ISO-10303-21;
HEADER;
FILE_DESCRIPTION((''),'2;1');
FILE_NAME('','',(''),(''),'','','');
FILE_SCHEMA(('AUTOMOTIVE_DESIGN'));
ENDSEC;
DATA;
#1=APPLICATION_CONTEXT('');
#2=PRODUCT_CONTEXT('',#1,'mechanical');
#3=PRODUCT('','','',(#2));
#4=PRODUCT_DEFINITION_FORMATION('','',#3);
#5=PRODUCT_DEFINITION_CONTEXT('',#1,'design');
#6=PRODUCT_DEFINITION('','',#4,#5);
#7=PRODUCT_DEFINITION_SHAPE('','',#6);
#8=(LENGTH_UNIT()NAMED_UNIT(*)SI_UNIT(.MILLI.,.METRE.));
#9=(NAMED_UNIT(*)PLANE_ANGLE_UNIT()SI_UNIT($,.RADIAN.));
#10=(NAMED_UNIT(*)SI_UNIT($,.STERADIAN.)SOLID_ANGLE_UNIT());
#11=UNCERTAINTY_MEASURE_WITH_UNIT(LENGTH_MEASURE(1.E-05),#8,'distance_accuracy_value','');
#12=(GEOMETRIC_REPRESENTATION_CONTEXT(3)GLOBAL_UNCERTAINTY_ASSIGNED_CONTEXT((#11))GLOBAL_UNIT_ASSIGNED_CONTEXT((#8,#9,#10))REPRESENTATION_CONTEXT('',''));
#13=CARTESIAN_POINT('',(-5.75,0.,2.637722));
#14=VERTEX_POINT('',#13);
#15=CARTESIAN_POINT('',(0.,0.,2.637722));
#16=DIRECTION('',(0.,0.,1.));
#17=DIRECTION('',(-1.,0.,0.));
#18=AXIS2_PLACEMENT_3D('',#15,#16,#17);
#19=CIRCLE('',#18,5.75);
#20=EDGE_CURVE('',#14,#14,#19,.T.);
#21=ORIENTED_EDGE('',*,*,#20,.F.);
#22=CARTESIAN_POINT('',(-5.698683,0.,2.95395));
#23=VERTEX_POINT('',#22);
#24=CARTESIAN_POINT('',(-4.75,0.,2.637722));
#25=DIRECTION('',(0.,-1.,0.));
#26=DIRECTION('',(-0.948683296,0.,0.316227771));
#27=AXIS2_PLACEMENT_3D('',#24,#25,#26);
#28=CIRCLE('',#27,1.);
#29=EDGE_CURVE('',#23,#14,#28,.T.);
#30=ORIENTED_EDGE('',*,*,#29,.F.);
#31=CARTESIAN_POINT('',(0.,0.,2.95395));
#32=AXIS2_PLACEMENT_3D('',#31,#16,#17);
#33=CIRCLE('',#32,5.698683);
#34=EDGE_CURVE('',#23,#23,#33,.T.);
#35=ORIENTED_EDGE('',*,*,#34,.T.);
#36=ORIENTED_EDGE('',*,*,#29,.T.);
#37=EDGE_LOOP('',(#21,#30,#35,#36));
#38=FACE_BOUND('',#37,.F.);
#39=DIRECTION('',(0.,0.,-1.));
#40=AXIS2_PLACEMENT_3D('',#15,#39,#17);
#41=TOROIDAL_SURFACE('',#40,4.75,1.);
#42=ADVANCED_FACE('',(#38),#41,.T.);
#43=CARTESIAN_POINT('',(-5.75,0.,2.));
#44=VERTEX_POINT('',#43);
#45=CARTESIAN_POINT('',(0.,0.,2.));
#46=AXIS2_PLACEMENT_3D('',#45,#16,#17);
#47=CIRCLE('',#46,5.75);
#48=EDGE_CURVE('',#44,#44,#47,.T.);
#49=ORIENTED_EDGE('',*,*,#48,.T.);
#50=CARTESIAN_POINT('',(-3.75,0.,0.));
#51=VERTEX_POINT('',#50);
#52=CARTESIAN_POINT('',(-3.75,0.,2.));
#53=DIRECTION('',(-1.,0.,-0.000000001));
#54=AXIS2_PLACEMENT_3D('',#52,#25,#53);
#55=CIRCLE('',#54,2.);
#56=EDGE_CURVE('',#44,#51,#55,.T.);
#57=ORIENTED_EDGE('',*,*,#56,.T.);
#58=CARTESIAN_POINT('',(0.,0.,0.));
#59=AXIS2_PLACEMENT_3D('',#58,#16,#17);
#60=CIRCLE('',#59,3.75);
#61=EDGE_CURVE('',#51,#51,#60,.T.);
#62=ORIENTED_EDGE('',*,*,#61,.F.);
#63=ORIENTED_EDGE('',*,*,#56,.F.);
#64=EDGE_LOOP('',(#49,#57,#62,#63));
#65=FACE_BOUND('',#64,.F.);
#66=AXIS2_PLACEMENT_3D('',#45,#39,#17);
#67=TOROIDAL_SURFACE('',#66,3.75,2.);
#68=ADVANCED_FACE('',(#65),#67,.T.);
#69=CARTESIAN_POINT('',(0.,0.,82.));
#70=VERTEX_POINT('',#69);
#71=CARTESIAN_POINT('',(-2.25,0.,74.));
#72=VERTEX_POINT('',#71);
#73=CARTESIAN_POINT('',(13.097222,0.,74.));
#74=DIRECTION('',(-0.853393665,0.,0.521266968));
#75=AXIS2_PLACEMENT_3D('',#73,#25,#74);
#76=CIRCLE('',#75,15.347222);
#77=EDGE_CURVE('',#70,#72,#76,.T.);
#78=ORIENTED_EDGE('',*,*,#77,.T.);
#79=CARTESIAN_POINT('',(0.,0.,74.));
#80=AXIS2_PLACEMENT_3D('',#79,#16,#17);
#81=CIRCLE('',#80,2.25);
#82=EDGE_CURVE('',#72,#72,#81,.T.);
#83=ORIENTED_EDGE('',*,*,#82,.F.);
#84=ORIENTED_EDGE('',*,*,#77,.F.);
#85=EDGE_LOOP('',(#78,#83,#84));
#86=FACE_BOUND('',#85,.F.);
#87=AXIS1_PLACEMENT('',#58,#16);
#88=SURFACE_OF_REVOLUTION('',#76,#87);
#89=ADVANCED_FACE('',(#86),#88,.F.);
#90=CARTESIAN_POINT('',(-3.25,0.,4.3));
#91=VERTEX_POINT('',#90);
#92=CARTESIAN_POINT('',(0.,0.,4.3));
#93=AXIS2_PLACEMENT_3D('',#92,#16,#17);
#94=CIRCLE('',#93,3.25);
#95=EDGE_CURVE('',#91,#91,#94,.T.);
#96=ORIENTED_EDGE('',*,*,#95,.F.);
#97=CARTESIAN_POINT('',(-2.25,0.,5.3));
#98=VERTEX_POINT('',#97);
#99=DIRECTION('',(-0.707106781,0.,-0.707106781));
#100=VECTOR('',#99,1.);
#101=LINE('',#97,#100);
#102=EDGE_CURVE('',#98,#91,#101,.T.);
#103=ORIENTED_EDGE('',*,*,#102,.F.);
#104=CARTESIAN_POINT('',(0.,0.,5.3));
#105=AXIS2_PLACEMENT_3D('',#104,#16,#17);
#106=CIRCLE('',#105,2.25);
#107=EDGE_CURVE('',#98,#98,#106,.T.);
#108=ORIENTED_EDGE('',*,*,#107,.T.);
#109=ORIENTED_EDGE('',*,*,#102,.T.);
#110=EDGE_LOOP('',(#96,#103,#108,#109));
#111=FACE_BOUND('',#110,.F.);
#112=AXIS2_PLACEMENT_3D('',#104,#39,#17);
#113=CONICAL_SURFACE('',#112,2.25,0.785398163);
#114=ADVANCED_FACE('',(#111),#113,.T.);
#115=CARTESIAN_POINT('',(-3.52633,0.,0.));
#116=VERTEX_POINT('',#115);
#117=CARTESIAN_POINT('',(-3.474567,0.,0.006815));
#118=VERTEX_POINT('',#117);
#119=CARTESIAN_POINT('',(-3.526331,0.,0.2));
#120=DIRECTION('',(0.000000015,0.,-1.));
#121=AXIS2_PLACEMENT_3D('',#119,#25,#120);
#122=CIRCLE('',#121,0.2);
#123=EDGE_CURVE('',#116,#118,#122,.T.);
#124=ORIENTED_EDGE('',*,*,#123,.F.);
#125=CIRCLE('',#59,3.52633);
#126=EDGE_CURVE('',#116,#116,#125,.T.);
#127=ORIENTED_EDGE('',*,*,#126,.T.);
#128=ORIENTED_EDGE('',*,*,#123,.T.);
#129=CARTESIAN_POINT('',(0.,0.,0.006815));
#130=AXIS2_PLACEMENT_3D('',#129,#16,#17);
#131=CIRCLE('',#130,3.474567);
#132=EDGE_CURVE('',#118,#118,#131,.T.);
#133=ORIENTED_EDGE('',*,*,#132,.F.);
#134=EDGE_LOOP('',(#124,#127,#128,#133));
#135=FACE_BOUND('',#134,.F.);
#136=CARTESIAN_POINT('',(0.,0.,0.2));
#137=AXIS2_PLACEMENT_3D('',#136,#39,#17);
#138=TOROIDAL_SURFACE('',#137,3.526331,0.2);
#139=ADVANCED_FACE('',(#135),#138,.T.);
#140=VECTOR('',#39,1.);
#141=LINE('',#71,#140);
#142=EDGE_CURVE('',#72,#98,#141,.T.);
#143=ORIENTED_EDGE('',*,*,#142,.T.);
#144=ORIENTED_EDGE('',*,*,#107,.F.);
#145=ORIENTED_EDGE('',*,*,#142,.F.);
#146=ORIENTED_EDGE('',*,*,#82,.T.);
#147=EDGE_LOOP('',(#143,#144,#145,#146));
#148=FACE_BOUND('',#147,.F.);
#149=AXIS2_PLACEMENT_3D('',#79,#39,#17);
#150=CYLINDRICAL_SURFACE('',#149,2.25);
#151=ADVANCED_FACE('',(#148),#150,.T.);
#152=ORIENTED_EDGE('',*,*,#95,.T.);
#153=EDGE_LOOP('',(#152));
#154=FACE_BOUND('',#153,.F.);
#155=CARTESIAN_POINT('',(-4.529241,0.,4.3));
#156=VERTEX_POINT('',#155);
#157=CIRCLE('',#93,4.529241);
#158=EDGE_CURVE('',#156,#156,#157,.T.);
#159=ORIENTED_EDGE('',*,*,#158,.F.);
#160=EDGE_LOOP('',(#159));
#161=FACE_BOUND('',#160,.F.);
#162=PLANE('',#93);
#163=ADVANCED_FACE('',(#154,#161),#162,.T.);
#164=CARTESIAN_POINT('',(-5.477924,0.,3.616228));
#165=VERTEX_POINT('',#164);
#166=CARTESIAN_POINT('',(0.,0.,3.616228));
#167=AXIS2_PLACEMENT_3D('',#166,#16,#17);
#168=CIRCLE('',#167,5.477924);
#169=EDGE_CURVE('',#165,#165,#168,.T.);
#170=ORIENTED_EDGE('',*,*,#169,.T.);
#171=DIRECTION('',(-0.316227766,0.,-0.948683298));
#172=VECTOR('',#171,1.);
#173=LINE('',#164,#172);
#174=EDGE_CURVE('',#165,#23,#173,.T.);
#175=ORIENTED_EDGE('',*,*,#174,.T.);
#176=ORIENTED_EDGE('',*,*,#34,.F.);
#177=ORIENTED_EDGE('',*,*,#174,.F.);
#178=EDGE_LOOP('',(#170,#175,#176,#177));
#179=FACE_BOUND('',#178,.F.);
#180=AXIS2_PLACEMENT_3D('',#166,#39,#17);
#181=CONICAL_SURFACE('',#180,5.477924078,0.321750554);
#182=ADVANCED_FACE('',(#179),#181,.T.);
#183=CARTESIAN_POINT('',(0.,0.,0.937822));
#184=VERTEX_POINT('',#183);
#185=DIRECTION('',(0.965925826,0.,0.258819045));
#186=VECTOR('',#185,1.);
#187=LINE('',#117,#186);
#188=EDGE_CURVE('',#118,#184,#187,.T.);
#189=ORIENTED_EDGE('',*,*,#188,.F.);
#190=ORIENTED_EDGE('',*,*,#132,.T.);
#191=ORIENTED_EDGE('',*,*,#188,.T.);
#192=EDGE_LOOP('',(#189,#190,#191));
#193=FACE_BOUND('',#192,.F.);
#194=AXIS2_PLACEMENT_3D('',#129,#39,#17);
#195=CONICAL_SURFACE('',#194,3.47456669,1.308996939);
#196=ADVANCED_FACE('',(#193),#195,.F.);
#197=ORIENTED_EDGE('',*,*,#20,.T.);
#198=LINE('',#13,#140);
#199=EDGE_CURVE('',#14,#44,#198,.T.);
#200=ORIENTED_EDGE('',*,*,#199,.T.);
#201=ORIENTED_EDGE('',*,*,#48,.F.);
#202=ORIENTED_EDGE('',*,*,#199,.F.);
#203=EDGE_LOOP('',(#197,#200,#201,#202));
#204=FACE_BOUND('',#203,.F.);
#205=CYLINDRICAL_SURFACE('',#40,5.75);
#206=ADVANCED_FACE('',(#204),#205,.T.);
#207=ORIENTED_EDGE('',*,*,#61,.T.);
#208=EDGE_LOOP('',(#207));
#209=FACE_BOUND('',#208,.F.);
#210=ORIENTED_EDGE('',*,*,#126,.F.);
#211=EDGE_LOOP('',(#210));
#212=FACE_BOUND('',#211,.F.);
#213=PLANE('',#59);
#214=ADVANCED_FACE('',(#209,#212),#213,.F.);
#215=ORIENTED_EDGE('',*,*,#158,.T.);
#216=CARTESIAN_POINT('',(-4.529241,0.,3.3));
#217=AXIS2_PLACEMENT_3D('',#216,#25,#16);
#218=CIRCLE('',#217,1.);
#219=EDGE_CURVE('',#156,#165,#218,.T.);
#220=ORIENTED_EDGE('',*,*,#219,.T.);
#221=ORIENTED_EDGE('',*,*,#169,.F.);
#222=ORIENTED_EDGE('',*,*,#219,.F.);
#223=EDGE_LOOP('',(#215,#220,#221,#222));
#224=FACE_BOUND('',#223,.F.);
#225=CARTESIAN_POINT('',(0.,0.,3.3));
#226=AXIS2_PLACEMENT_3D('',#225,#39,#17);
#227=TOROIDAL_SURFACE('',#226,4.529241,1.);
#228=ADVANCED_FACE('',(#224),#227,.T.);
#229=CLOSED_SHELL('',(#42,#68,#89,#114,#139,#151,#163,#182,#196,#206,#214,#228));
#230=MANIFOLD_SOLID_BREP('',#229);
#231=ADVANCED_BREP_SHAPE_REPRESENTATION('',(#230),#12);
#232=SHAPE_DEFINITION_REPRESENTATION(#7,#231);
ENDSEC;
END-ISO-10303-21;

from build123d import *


with BuildPart() as part:
    # Skizze1 → Rotation1 (revolve)
    with BuildSketch(Plane(origin=(0, 0, 0), x_dir=(0, 0, -1), z_dir=(1, 0, 0)), mode=Mode.PRIVATE) as rotation1_sk:
        with BuildLine():
            Line((-0.006814835, 3.47456669), (-0.937822174, 0))
            Line((-0.937822174, 0), (-82, 0))
            ThreePointArc((-82, 0), (-78.155192535, 1.676795679), (-74, 2.25))
            Line((-74, 2.25), (-5.3, 2.25))
            Line((-5.3, 2.25), (-4.3, 3.25))
            Line((-4.3, 3.25), (-4.3, 4.52924078))
            ThreePointArc((-4.3, 4.52924078), (-4.111242185, 5.113951065), (-3.616227766, 5.477924078))
            Line((-3.616227766, 5.477924078), (-2.953950106, 5.698683298))
            ThreePointArc((-2.953950106, 5.698683298), (-2.797904583, 5.737087458), (-2.63772234, 5.75))
            Line((-2.63772234, 5.75), (-2, 5.75))
            ThreePointArc((-2, 5.75), (-0.585786438, 5.164213562), (0, 3.75))
            Line((0, 3.75), (0, 3.5263305))
            ThreePointArc((0, 3.5263305), (-0.001711028, 3.500225261), (-0.006814835, 3.47456669))
        make_face()
    revolve(rotation1_sk.sketch.rotate(Axis((0, 0, 0), (0, 0, 1)), 90), axis=Axis((0, 0, 0), (0, 0, 1)))  # turned: the seam where the file's is


solid = part.part
